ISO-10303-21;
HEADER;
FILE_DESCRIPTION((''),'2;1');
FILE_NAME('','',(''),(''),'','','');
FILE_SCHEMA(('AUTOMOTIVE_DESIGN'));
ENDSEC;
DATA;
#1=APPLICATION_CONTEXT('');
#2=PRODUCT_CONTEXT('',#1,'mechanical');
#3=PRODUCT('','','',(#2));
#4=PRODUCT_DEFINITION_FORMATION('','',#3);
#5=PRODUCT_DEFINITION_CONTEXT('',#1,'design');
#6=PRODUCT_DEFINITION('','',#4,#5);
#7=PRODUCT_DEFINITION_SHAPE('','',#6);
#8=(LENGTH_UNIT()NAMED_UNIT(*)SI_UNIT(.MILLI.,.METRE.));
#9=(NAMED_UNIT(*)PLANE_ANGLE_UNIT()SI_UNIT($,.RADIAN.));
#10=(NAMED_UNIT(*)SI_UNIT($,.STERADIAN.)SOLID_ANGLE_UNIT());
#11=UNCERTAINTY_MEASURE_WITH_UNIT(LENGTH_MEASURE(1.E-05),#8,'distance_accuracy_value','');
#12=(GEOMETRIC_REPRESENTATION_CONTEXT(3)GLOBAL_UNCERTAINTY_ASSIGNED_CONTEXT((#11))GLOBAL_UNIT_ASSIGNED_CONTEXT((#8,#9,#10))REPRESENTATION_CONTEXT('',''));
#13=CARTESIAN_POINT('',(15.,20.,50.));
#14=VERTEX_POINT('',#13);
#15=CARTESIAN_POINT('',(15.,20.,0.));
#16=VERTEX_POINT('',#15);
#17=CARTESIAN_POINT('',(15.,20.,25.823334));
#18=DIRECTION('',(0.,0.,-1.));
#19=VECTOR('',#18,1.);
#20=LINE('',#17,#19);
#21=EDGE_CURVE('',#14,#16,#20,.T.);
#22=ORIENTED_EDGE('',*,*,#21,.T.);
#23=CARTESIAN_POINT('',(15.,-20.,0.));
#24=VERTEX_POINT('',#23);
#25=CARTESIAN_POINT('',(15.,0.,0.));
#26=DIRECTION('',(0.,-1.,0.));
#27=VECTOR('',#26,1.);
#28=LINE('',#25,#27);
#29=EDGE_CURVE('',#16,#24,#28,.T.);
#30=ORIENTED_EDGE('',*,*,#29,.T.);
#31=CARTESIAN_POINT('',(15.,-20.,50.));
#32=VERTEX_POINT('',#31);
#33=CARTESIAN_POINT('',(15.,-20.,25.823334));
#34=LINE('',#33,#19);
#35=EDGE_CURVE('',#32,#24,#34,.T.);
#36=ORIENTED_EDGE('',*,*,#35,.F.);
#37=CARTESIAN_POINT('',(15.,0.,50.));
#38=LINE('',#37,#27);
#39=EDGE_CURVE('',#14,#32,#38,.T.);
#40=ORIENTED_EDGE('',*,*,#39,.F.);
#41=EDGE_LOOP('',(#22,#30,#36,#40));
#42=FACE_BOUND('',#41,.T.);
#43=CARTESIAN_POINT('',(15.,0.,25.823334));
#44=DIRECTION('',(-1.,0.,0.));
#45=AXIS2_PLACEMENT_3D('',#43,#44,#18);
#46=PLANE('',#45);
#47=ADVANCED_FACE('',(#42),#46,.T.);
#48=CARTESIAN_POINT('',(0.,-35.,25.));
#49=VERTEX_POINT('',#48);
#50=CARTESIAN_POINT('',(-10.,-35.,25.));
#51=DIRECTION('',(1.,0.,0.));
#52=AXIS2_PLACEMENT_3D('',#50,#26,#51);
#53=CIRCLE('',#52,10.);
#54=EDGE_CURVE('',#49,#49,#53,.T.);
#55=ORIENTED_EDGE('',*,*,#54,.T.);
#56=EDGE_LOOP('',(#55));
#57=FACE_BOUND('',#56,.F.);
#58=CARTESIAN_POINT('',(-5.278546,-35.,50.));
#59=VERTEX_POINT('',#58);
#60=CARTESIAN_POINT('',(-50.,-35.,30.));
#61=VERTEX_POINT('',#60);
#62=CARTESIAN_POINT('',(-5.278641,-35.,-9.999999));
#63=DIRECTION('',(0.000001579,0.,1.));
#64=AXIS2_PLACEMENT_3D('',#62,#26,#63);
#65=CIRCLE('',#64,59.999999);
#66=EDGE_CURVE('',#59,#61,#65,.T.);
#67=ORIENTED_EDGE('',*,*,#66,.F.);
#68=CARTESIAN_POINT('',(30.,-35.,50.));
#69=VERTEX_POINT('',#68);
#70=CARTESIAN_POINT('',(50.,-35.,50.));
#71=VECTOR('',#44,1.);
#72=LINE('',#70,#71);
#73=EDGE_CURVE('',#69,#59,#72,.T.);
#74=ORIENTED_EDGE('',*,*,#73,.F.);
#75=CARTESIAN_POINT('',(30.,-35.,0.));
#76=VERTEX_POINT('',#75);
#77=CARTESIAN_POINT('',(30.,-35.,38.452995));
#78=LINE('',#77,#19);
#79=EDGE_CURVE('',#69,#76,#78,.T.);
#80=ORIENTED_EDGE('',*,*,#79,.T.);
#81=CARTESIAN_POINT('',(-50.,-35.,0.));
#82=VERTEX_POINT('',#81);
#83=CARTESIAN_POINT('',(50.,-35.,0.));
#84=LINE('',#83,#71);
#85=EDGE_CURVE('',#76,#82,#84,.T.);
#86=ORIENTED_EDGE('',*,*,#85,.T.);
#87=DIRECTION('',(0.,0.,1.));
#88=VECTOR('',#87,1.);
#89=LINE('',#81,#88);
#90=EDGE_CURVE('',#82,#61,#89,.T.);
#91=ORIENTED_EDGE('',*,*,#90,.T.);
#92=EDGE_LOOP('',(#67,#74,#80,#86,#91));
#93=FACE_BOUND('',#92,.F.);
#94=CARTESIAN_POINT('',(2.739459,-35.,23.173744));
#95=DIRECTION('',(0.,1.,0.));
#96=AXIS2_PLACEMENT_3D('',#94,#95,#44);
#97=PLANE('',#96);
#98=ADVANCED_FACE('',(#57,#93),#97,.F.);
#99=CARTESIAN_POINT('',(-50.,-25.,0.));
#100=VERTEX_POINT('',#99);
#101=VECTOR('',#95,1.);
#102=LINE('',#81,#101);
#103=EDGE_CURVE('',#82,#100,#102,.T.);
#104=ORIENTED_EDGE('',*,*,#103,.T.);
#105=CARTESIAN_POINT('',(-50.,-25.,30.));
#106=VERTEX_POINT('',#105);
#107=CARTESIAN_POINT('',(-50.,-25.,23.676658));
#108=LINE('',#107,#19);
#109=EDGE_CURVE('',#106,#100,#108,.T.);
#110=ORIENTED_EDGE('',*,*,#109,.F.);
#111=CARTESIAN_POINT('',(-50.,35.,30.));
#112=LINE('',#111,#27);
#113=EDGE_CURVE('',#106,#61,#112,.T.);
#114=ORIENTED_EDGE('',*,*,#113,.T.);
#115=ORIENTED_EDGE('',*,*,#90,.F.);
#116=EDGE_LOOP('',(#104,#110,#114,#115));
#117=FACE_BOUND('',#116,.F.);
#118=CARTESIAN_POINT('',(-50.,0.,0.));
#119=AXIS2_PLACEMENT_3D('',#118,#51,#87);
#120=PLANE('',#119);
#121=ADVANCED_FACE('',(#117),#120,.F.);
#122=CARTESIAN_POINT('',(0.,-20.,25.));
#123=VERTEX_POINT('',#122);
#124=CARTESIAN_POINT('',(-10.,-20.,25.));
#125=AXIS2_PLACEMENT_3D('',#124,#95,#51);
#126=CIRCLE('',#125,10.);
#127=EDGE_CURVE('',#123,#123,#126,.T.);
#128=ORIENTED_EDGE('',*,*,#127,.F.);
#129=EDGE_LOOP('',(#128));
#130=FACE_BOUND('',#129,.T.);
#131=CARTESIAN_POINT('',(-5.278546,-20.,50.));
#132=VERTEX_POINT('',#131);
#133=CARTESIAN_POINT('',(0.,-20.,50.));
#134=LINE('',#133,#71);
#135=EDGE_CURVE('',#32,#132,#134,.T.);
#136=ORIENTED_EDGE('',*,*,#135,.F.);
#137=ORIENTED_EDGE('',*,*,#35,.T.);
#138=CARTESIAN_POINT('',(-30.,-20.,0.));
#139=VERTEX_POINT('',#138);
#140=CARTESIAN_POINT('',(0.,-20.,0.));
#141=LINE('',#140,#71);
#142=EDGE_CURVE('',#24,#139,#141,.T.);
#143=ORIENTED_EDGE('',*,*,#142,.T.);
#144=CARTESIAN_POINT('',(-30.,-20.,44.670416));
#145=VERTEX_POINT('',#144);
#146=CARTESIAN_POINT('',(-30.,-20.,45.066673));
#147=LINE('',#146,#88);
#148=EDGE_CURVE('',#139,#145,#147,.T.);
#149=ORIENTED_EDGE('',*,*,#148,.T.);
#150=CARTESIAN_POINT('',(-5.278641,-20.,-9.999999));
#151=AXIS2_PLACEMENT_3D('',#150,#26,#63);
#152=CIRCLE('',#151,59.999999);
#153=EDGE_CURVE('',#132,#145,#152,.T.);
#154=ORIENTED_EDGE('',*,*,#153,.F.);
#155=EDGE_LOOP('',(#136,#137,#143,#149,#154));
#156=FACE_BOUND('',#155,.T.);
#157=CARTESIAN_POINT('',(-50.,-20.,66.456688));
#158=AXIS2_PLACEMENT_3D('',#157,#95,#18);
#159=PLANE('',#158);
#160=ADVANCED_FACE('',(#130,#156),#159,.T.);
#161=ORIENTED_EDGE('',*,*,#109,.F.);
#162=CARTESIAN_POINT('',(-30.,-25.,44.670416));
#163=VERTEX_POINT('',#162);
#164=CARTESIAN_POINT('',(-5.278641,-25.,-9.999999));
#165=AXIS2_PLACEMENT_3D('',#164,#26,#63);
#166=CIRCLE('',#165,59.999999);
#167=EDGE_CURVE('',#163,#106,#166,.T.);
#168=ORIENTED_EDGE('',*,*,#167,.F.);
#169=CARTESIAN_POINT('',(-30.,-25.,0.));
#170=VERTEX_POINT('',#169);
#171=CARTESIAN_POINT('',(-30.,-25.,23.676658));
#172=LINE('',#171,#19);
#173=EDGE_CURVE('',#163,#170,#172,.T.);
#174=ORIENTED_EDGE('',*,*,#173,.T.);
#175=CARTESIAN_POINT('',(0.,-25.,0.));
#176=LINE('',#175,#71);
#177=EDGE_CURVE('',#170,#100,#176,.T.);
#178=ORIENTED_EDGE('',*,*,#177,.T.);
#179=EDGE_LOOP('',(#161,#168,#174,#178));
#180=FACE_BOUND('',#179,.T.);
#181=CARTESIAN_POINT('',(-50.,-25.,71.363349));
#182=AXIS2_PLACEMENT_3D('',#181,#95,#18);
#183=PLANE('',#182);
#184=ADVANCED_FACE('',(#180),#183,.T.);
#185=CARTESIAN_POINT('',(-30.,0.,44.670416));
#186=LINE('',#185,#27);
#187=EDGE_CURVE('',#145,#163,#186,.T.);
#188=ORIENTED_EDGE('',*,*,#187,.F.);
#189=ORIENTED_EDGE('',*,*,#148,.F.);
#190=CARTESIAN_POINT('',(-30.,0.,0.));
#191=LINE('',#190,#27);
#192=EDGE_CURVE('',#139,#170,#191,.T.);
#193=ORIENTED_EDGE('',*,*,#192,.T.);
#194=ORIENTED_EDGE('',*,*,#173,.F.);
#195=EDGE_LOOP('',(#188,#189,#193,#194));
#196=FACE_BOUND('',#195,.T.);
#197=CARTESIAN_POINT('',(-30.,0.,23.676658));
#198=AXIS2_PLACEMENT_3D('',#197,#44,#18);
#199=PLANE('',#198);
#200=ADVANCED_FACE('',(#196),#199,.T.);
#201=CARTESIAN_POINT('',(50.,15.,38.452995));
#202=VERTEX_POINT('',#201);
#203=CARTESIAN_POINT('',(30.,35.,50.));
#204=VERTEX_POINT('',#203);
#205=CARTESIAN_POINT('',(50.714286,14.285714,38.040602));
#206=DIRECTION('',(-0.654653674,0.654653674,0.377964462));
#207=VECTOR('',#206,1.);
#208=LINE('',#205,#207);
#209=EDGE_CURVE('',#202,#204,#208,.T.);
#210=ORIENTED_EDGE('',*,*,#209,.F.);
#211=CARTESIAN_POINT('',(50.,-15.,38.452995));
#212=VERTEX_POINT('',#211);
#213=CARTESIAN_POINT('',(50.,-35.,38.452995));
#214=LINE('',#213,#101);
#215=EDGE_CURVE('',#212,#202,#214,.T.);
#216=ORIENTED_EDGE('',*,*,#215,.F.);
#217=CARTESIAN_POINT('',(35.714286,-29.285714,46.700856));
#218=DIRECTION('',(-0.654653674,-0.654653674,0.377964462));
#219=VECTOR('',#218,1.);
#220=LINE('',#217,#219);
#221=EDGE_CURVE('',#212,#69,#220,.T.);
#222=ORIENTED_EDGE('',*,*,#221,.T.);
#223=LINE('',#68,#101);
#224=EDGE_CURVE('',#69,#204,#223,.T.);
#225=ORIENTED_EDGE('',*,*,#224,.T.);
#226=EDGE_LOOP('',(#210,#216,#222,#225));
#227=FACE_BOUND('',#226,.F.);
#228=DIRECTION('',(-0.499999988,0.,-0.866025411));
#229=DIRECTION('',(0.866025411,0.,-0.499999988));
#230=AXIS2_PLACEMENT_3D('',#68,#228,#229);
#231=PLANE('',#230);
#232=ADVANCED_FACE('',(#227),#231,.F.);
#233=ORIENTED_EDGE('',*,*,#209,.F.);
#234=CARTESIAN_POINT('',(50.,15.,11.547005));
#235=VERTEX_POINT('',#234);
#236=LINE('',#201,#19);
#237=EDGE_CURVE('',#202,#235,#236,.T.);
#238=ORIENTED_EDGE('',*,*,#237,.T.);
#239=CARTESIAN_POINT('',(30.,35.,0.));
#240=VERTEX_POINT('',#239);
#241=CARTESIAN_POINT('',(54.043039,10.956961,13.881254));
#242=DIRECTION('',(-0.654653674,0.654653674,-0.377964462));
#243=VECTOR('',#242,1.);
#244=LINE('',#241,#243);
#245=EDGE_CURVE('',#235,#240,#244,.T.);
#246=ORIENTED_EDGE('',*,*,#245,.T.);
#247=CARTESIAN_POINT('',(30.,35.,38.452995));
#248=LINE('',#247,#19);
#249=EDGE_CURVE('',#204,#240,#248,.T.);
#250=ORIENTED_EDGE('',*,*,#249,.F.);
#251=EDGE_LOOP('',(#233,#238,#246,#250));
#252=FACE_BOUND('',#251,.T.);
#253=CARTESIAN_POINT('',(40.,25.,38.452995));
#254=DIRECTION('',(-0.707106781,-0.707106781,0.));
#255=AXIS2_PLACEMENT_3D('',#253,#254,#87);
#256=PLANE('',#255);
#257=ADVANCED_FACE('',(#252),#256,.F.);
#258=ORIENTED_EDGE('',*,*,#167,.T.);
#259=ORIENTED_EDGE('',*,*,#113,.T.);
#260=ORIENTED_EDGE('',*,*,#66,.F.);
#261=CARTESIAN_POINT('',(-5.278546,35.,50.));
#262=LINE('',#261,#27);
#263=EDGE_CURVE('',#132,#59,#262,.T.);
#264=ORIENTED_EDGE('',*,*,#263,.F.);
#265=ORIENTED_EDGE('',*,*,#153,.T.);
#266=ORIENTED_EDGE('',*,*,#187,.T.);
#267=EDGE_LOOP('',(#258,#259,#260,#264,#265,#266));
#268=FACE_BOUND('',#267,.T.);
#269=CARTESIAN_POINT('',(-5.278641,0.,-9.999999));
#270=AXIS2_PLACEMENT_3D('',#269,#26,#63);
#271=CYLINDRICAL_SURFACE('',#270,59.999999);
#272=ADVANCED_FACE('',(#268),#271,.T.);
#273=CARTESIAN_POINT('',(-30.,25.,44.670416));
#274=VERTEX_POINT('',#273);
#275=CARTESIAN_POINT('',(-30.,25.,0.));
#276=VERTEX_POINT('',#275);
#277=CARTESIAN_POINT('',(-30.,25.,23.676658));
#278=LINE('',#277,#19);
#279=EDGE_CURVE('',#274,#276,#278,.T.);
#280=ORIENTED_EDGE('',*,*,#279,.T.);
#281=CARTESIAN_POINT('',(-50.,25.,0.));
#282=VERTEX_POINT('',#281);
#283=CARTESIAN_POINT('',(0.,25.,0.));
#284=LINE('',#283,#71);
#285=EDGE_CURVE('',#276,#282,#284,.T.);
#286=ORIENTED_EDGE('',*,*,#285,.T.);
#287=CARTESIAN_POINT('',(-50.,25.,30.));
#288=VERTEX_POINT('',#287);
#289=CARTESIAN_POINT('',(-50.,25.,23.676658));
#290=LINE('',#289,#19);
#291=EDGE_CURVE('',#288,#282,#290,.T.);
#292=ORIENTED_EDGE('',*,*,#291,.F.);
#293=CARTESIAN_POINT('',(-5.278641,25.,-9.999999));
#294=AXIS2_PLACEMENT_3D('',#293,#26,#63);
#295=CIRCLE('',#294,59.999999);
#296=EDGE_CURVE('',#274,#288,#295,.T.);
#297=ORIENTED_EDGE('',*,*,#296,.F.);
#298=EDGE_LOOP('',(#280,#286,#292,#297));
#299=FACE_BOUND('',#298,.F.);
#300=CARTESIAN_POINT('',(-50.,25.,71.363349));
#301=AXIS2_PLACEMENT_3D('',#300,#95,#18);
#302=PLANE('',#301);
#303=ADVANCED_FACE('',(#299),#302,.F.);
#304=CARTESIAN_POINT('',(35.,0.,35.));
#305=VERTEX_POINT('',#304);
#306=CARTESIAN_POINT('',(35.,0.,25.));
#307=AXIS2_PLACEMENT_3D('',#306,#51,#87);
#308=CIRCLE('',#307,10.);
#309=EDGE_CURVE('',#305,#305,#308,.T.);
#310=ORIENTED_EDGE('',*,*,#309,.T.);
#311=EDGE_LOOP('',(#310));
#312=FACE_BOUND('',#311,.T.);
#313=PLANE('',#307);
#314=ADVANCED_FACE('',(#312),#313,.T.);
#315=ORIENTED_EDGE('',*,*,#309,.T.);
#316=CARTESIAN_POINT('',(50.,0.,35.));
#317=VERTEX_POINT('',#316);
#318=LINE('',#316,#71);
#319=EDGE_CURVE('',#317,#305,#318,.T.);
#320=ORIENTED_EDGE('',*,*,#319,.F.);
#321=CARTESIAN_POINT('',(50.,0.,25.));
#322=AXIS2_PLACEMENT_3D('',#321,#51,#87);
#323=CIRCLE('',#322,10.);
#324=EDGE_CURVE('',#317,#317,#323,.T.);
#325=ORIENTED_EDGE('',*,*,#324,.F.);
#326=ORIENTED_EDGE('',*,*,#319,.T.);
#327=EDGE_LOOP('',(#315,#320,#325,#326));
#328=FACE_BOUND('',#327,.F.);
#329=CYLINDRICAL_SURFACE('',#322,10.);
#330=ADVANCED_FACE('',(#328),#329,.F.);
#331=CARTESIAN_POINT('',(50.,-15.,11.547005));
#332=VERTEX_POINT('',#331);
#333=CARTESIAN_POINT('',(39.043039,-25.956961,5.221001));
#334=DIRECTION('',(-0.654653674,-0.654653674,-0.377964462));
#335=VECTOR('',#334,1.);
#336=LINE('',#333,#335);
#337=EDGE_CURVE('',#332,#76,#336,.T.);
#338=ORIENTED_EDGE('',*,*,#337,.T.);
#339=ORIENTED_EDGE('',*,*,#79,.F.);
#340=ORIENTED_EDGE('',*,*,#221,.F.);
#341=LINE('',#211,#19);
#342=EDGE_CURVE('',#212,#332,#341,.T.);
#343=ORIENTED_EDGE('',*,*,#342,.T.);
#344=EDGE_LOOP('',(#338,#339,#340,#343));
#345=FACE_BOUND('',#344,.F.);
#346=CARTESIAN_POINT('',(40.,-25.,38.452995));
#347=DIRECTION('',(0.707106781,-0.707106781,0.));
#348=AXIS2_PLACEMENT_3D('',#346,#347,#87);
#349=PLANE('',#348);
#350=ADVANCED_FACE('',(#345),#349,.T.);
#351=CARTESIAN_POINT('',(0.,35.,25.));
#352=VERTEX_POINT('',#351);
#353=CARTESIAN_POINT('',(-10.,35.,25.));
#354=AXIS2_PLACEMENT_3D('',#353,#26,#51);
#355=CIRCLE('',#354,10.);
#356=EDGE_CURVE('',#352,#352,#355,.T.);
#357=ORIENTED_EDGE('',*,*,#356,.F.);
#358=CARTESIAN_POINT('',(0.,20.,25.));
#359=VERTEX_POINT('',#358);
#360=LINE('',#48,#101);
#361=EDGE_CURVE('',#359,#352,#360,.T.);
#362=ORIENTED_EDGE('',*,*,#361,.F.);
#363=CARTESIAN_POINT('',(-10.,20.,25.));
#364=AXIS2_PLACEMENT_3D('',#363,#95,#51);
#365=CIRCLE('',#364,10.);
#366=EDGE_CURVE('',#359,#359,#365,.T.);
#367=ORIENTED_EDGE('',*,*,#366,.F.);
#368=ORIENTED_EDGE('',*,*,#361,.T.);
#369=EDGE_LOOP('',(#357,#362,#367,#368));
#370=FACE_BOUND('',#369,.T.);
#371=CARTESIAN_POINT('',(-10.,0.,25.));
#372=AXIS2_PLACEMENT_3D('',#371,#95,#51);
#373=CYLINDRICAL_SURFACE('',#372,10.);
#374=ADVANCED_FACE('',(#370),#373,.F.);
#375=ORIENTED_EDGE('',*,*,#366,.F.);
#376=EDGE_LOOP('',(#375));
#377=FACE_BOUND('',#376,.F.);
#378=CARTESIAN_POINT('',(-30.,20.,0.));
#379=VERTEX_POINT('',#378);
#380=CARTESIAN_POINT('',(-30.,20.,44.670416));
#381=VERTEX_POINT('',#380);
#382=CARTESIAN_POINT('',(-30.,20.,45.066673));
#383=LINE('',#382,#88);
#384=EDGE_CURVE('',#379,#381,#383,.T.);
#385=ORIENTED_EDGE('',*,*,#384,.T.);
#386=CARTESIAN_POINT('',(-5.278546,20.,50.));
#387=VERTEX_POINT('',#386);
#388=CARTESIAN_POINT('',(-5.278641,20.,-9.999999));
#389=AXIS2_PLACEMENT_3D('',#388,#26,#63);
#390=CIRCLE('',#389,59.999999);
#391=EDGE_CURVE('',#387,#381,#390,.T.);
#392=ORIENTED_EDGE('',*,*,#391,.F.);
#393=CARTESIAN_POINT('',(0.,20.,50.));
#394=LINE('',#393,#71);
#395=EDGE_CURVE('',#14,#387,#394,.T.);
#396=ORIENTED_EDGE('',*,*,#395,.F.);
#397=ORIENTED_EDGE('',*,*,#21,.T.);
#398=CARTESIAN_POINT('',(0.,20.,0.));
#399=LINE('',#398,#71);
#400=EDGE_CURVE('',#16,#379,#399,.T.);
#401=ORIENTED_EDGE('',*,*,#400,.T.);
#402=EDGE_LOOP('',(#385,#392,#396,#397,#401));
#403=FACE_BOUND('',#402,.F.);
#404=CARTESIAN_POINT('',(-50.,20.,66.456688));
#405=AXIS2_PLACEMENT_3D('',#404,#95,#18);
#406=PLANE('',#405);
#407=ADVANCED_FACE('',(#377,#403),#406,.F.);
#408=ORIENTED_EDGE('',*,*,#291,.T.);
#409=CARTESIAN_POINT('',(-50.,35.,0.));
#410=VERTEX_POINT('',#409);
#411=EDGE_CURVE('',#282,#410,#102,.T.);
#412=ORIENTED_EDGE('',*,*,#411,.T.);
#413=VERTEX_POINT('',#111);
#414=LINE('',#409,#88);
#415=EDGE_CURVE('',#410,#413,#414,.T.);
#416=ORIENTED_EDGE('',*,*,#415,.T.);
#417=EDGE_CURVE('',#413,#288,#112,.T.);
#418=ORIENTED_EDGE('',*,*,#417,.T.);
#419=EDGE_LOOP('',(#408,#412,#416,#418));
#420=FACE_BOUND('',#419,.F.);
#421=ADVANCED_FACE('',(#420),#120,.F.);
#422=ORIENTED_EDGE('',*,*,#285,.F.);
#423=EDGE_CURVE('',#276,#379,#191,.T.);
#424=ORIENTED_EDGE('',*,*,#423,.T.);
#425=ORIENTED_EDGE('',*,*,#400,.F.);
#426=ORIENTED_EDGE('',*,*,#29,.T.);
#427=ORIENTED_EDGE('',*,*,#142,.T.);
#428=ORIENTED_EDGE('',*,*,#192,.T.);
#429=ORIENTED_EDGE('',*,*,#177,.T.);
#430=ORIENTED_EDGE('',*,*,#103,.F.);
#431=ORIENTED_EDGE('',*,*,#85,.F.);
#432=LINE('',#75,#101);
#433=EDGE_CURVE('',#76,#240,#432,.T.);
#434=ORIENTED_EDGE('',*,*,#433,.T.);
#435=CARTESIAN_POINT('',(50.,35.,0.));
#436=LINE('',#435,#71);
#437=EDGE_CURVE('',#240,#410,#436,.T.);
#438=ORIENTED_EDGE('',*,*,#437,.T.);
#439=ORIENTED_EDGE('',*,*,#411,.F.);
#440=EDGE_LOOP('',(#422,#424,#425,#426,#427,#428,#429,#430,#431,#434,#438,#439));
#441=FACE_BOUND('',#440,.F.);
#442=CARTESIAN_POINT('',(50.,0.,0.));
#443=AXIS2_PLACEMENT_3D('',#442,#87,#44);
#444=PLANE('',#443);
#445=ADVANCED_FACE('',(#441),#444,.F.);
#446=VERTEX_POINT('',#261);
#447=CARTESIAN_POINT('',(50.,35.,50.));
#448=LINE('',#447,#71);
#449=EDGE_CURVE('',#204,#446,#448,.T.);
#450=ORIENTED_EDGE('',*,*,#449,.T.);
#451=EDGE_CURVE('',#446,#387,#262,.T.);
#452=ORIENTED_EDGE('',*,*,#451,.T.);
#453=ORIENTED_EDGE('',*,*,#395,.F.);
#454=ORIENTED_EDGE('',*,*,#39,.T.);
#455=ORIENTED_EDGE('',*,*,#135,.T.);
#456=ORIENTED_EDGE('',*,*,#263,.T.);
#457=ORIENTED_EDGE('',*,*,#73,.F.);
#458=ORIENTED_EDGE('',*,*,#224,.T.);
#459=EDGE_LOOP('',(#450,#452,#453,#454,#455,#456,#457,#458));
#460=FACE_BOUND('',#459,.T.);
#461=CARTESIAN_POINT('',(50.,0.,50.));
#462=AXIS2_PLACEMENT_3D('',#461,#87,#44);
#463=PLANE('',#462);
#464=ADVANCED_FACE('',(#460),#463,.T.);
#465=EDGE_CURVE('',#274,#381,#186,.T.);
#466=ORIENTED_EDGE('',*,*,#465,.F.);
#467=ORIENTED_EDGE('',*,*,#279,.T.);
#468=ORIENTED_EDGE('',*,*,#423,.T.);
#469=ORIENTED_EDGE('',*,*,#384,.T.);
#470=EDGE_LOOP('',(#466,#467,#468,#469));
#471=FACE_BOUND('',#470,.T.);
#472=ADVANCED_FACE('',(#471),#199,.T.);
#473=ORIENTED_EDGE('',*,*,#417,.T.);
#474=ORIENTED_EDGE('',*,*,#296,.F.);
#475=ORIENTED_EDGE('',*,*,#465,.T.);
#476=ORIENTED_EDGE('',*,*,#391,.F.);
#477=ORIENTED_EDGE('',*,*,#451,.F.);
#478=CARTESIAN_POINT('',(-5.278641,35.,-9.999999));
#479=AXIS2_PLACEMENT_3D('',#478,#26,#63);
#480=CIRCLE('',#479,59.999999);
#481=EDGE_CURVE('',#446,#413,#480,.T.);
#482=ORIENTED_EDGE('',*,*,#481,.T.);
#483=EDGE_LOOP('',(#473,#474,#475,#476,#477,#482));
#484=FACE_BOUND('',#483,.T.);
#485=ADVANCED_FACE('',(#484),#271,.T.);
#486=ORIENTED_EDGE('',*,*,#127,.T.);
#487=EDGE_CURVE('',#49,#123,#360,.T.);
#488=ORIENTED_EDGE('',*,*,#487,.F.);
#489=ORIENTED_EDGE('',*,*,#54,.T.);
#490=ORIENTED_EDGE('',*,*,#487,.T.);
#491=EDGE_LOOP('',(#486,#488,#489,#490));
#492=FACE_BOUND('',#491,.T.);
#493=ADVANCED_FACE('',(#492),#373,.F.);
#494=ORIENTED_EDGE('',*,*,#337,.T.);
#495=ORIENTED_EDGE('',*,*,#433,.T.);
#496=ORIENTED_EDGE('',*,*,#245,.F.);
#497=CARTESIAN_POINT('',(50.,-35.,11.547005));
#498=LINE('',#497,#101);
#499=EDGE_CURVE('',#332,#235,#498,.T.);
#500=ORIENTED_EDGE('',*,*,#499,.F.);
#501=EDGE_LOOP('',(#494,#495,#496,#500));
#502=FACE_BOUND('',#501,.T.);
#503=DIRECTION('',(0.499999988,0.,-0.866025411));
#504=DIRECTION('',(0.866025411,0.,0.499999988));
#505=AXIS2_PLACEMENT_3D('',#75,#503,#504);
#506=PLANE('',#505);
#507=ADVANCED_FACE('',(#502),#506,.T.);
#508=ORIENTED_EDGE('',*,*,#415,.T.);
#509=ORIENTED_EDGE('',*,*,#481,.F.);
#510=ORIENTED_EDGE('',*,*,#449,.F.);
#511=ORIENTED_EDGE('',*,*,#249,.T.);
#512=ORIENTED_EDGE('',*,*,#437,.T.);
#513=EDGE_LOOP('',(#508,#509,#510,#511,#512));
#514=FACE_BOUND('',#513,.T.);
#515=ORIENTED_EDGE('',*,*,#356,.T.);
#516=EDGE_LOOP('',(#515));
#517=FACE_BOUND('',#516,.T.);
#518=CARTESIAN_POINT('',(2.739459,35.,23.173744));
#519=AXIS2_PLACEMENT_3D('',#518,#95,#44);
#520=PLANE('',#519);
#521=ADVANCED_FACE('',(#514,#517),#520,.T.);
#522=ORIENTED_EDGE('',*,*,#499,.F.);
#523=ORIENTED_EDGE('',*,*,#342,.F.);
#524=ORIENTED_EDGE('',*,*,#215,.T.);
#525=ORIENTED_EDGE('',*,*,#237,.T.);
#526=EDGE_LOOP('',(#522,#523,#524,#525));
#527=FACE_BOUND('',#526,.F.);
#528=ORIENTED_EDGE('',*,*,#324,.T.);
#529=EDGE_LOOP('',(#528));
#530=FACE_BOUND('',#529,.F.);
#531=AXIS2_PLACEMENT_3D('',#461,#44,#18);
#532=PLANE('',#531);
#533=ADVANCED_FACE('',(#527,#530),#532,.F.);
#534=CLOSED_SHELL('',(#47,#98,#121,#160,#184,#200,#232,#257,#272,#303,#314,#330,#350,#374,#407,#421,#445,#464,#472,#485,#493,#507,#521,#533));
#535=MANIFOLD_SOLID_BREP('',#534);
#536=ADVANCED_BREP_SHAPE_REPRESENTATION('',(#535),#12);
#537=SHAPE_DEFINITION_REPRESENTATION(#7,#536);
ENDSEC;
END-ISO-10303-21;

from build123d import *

# Parameters (mm, degrees)
SKETCH_R        = 10
PAD_DEPTH       = 35
POCKET_DEPTH    = 70.001
CHAMFER_SIZE    = 20
CHAMFER001_SIZE = 20
SKETCH002_R     = 10
POCKET001_DEPTH = 15
SKETCH003_W     = 81.266709
SKETCH003_H     = 40
POCKET002_DEPTH = 65
SKETCH004_W     = 95.373383
SKETCH004_H     = 50
POCKET003_DEPTH = 20


with BuildPart() as part:
    # Sketch → Pad (new body, symmetric)
    with BuildSketch(Plane.XZ):
        with BuildLine():
            Line((50, 50), (50, 0))
            Line((50, 0), (-50, 0))
            Line((-50, 0), (-50, 30))
            ThreePointArc((-5.278546, 50), (-29.773495, 44.772275), (-50, 30))
            Line((50, 50), (-5.278546, 50))
        make_face()
        with Locations((-10, 25)):
            Circle(SKETCH_R, mode=Mode.SUBTRACT)
    extrude(amount=PAD_DEPTH, both=True)

    # Sketch001 → Pocket (cut, through all)
    with BuildSketch(Plane.XZ.offset(35)):
        Polygon((50, 50), (30, 50), (50, 38.452995), align=None)
        Polygon((50, 0), (30, 0), (50, 11.547005), align=None)
    extrude(amount=-POCKET_DEPTH, mode=Mode.SUBTRACT)

    # Chamfer
    chamfer_edges = [part.edges().sort_by_distance(p)[0] for p in [
        (50, -35, 25),
    ]]
    chamfer(chamfer_edges, length=CHAMFER_SIZE)

    # Chamfer001
    chamfer001_edges = [part.edges().sort_by_distance(p)[0] for p in [
        (50, 35, 25),
    ]]
    chamfer(chamfer001_edges, length=CHAMFER001_SIZE)

    # Sketch002 → Pocket001 (cut)
    with BuildSketch(Plane(origin=(50, 0, 0), x_dir=(0, 0, 1), z_dir=(1, 0, 0))):
        with Locations((25, 0)):
            Circle(SKETCH002_R)
    extrude(amount=-POCKET001_DEPTH, mode=Mode.SUBTRACT)

    # Sketch003 → Pocket002 (cut)
    with BuildSketch(Plane(origin=(-50, 0, 0), x_dir=(0, 0, -1), z_dir=(-1, 0, 0))):
        with Locations((-25.823334, 0)):
            Rectangle(SKETCH003_W, SKETCH003_H)
    extrude(amount=-POCKET002_DEPTH, mode=Mode.SUBTRACT)

    # Sketch004 → Pocket003 (cut)
    with BuildSketch(Plane(origin=(-50, 0, 0), x_dir=(0, 0, -1), z_dir=(-1, 0, 0))):
        with Locations((-23.676658, 0)):
            Rectangle(SKETCH004_W, SKETCH004_H)
    extrude(amount=-POCKET003_DEPTH, mode=Mode.SUBTRACT)


solid = part.part
